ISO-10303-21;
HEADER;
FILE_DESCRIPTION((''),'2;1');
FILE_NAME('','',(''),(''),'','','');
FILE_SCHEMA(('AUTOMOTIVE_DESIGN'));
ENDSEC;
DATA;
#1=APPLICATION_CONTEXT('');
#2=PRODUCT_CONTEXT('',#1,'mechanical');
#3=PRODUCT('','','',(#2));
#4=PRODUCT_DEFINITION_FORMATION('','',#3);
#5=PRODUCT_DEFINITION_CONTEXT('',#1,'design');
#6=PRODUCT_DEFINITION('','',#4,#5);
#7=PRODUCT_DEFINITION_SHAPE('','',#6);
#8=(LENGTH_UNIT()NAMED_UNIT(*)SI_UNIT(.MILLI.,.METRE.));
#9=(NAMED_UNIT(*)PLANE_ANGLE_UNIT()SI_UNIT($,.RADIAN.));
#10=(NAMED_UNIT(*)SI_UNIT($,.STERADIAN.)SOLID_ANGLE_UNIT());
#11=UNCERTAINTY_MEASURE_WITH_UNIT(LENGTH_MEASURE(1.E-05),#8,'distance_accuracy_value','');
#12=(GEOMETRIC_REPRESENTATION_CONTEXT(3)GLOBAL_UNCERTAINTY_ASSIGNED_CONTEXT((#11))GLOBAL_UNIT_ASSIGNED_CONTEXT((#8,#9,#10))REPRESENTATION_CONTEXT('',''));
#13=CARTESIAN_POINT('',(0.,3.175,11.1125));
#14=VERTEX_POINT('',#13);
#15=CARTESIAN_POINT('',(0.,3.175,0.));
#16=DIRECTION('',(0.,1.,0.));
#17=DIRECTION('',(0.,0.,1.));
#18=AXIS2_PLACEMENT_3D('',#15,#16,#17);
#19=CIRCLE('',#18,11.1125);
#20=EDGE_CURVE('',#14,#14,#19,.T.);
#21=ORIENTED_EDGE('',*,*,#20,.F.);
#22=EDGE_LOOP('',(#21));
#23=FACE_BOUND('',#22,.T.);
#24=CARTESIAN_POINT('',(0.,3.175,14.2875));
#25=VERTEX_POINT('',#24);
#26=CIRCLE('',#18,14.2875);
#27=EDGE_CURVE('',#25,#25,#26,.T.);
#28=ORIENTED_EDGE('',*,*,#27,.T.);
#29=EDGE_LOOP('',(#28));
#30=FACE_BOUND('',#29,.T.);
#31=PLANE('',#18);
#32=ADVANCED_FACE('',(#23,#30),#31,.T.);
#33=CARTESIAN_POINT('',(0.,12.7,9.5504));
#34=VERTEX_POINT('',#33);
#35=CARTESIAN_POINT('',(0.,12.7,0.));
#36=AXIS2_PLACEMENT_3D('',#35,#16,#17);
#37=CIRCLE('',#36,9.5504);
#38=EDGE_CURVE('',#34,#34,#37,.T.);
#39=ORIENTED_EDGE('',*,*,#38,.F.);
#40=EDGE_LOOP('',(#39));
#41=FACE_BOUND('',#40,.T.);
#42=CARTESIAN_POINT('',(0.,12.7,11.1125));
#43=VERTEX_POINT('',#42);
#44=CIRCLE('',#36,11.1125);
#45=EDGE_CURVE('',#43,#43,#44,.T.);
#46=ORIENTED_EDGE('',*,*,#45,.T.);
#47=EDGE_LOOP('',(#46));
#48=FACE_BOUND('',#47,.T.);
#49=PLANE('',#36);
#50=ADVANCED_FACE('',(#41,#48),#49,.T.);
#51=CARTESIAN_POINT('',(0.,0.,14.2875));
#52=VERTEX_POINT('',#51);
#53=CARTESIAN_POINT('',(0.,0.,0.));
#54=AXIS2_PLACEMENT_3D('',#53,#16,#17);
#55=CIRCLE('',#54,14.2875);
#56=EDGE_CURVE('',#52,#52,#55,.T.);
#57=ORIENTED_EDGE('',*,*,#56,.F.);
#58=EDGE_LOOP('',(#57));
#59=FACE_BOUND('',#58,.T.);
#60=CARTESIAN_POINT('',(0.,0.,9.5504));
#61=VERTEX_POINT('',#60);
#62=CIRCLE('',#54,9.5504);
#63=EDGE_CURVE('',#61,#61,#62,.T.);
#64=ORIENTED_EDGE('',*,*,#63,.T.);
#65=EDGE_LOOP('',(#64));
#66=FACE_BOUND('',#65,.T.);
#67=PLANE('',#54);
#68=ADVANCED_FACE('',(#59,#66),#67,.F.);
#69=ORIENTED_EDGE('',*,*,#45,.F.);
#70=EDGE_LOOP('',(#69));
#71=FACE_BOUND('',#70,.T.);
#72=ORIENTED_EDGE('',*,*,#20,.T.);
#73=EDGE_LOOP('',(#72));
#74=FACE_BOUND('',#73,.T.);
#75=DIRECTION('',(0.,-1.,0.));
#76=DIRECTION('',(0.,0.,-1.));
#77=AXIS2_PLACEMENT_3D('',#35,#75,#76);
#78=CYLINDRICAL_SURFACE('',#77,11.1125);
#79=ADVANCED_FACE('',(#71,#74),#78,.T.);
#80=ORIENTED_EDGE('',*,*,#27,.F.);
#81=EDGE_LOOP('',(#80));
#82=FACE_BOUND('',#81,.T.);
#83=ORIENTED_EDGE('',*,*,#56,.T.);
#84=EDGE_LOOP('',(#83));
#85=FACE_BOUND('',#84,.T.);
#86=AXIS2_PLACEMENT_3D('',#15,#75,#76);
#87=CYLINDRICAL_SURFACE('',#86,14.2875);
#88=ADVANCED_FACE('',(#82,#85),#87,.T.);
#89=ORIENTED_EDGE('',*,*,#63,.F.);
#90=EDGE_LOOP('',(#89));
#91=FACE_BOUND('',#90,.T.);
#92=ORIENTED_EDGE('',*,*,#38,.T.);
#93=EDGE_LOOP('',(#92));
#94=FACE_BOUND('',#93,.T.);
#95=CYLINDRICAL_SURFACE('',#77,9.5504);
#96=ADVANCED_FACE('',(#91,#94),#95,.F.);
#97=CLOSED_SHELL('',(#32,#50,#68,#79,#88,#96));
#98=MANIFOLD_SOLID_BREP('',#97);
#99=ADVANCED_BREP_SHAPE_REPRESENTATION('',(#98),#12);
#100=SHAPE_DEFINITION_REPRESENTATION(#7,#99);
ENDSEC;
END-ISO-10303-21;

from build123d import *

# Parameters (mm, degrees)
SKETCH2_R           = 11.1125
SKETCH2_R_2         = 9.5504
BOSS_EXTRUDE1_DEPTH = 12.7
SKETCH3_R           = 14.2875
SKETCH3_R_2         = 11.1125
BOSS_EXTRUDE2_DEPTH = 3.175


with BuildPart() as part:
    # Sketch2 → Boss-Extrude1 (new body)
    with BuildSketch(Plane(origin=(0, 0, 0), x_dir=(1, 0, 0), z_dir=(0, 1, 0))):
        Circle(SKETCH2_R)
        Circle(SKETCH2_R_2, mode=Mode.SUBTRACT)
    extrude(amount=BOSS_EXTRUDE1_DEPTH)

    # Sketch3 → Boss-Extrude2 (add)
    with BuildSketch(Plane(origin=(0, 0, 0), x_dir=(1, 0, 0), z_dir=(0, 1, 0))):
        Circle(SKETCH3_R)
        Circle(SKETCH3_R_2, mode=Mode.SUBTRACT)
    extrude(amount=BOSS_EXTRUDE2_DEPTH)


solid = part.part
